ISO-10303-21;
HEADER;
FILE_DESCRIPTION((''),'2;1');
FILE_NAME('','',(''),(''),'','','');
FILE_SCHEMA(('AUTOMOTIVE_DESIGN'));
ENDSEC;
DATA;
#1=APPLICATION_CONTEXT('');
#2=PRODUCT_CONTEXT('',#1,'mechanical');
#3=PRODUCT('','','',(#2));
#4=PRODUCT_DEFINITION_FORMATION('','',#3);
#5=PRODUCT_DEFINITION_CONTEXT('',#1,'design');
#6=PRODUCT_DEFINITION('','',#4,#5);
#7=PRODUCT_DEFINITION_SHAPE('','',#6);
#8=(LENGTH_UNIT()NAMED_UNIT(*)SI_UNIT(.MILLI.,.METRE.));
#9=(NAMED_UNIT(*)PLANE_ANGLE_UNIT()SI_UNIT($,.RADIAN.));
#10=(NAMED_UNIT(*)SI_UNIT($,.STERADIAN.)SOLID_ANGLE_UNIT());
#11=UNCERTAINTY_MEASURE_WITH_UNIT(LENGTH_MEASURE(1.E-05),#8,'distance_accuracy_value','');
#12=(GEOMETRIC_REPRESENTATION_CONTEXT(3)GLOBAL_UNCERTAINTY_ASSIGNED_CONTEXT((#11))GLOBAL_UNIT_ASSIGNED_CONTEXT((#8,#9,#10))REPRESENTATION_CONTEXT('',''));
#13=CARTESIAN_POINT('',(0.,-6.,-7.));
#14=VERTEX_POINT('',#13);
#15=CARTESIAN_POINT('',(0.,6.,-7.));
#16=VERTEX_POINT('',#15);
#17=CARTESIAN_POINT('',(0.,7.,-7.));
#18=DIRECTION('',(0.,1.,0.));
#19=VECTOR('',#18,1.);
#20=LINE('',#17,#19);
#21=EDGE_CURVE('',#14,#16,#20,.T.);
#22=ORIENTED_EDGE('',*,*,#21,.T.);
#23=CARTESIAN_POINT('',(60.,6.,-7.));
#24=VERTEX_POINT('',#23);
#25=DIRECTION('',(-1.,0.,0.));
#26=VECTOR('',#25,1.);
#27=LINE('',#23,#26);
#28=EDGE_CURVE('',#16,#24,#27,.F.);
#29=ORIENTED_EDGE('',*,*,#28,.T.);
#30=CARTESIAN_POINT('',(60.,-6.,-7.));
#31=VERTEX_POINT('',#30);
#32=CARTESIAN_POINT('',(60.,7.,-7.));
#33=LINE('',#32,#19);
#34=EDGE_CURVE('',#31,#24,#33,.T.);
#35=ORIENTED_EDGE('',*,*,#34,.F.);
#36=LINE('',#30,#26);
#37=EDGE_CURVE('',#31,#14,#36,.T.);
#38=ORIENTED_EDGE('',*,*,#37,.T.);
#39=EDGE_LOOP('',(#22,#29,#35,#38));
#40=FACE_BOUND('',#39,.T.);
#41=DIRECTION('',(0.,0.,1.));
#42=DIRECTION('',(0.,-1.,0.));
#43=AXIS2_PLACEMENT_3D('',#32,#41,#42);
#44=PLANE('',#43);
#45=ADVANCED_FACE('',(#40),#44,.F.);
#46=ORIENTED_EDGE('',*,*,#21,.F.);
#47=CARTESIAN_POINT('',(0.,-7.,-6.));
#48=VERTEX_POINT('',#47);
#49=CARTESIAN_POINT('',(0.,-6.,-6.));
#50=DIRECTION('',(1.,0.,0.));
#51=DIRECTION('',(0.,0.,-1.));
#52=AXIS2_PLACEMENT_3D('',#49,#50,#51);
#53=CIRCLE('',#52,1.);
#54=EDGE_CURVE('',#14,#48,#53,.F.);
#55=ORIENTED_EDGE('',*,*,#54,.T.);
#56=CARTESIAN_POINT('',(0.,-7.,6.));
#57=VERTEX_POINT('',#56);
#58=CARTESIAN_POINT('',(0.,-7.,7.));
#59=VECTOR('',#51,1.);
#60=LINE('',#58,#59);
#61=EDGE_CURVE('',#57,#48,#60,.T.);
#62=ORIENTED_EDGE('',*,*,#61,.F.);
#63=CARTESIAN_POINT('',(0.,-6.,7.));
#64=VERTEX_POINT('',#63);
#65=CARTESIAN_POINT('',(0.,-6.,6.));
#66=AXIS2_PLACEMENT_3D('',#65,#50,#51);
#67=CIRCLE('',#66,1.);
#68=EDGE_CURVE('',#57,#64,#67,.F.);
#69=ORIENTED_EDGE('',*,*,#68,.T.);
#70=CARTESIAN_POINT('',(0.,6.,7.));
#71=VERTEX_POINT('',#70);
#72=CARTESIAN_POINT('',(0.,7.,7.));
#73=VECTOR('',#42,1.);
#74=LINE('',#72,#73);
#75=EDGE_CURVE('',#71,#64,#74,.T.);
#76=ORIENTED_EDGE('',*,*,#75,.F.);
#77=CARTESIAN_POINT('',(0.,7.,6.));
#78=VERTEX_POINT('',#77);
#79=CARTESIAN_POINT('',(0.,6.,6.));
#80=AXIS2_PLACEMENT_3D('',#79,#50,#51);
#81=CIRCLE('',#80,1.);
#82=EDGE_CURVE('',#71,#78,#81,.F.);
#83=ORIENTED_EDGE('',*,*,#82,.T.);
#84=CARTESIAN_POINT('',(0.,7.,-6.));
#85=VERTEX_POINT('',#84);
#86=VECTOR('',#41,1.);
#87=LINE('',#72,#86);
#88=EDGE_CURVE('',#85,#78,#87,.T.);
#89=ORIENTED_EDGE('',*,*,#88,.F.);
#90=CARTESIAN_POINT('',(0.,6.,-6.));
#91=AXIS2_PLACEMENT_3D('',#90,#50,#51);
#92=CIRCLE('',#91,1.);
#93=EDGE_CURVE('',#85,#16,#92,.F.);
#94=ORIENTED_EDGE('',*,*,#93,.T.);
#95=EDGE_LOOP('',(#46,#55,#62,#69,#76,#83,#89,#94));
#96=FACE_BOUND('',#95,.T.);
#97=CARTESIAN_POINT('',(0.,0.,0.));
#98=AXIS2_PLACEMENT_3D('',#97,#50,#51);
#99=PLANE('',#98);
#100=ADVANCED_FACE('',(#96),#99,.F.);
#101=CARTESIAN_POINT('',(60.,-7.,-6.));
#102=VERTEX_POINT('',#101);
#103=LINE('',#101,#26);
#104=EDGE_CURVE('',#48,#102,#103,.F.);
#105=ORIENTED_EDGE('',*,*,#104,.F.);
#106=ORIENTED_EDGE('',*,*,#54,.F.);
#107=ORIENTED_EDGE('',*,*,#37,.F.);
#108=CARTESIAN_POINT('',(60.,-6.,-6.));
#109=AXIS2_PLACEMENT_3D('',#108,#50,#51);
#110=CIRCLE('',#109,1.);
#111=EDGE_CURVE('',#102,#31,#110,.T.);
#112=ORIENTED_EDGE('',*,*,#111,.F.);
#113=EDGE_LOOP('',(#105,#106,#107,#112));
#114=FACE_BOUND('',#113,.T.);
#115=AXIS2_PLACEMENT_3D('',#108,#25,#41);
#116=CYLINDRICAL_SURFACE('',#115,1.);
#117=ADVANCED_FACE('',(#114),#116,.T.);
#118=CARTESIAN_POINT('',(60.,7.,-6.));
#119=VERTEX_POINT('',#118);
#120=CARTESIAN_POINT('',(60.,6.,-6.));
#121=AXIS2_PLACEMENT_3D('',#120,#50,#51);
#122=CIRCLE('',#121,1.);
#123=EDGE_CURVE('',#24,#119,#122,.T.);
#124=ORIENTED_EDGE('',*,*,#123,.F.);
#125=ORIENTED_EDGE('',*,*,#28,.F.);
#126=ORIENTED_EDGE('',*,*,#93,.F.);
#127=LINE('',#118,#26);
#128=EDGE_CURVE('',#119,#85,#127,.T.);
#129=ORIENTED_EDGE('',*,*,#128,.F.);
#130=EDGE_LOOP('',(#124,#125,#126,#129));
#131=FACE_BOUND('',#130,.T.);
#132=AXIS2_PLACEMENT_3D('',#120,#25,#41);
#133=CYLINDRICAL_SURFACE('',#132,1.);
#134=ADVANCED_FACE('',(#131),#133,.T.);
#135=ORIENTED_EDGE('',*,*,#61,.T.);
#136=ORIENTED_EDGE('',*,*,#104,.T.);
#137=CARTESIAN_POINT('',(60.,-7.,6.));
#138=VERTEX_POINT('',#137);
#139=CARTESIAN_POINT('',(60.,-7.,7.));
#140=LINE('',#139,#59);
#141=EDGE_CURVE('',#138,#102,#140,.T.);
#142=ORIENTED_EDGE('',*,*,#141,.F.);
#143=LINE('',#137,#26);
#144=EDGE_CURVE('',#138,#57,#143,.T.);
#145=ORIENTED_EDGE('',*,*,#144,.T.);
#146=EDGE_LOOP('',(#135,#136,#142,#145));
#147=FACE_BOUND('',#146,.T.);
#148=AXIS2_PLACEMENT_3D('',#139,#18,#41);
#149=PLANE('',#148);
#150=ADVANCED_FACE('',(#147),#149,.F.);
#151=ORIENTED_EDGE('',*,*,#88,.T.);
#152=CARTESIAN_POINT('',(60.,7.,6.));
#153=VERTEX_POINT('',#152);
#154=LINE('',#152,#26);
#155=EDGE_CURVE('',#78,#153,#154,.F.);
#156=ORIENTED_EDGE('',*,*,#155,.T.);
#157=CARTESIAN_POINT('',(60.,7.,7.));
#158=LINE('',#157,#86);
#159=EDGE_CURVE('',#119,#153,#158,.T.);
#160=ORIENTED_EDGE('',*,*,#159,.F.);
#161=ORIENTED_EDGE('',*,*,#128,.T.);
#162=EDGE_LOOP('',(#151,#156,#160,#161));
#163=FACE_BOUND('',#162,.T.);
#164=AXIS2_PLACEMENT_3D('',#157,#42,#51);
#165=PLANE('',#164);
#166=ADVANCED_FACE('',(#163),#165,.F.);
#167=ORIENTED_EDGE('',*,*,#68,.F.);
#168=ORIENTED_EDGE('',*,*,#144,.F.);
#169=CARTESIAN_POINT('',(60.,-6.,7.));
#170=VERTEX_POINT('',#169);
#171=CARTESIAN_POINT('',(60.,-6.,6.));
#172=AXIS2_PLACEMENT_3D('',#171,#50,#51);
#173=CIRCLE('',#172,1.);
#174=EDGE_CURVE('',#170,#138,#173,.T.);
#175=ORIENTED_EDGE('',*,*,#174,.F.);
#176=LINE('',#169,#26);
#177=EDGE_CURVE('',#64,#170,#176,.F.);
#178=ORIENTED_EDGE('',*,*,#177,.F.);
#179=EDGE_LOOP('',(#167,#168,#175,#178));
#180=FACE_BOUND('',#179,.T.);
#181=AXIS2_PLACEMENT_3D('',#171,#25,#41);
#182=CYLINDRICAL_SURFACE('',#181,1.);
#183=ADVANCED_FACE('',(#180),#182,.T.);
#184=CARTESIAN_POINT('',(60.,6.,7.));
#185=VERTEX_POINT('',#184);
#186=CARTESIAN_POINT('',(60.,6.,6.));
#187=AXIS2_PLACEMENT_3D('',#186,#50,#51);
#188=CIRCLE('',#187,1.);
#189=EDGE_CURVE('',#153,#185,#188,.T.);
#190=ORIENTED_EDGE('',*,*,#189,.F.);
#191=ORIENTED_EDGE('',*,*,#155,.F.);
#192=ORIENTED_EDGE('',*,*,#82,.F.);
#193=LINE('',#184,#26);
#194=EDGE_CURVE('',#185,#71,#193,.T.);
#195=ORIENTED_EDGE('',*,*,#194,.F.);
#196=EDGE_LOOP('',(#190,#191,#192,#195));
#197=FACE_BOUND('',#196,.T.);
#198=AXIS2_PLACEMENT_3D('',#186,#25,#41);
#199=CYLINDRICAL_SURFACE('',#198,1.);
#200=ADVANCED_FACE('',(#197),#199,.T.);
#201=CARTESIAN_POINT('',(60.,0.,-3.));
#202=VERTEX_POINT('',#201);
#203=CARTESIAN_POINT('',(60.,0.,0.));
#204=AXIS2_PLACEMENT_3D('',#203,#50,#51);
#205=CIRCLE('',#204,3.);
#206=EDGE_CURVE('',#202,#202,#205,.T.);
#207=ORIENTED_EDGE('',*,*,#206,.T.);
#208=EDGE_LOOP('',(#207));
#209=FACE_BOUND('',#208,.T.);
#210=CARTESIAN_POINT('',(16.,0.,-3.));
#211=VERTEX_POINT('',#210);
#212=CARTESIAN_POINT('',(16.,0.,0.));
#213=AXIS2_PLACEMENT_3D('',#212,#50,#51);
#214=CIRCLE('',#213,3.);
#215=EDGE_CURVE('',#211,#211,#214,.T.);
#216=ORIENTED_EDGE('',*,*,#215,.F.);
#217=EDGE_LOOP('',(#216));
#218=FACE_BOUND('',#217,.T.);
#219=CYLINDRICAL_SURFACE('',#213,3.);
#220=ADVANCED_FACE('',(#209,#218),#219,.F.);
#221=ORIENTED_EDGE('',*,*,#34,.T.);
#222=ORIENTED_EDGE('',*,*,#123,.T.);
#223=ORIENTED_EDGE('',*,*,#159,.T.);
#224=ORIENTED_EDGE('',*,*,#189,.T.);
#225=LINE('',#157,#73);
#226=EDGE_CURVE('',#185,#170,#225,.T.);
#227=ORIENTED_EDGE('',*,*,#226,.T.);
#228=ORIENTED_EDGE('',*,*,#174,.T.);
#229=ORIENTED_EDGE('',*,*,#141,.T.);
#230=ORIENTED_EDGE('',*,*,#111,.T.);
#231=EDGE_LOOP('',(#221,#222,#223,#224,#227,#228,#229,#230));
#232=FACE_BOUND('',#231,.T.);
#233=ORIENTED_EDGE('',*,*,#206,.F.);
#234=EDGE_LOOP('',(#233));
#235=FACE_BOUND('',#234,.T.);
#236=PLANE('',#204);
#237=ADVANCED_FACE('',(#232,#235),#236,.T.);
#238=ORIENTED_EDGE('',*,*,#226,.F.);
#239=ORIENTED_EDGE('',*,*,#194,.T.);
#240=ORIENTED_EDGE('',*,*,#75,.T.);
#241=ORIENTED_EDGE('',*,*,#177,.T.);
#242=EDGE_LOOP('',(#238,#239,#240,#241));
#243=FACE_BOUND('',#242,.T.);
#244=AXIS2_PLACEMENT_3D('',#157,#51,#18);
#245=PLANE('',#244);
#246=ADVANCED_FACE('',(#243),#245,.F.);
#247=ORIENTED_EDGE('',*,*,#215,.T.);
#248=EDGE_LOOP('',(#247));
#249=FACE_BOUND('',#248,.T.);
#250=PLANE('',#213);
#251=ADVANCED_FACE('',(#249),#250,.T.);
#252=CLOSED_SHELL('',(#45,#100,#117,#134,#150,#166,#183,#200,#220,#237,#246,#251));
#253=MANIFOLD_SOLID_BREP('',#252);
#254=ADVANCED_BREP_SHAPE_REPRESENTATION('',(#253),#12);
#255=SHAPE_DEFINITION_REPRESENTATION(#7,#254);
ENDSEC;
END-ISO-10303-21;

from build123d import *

# Parameters (mm, degrees)
SKETCH1_W           = 14
SKETCH1_H           = 14
BOSS_EXTRUDE1_DEPTH = 60
FILLET1_R           = 1
SKETCH2_R           = 3
CUT_EXTRUDE1_DEPTH  = 44


with BuildPart() as part:
    # Sketch1 → Boss-Extrude1 (new body)
    with BuildSketch(Plane(origin=(0, 0, 0), x_dir=(0, 0, -1), z_dir=(1, 0, 0))):
        Rectangle(SKETCH1_W, SKETCH1_H)
    extrude(amount=BOSS_EXTRUDE1_DEPTH)

    # Fillet1
    fillet1_edges = [part.edges().sort_by_distance(p)[0] for p in [
        (30, -7, -7),
        (30, -7, 7),
        (30, 7, 7),
        (30, 7, -7),
    ]]
    fillet(fillet1_edges, radius=FILLET1_R)

    # Sketch2 → Cut-Extrude1 (cut)
    with BuildSketch(Plane(origin=(60, 0, 0), x_dir=(0, 0, -1), z_dir=(1, 0, 0))):
        Circle(SKETCH2_R)
    extrude(amount=-CUT_EXTRUDE1_DEPTH, mode=Mode.SUBTRACT)


solid = part.part
